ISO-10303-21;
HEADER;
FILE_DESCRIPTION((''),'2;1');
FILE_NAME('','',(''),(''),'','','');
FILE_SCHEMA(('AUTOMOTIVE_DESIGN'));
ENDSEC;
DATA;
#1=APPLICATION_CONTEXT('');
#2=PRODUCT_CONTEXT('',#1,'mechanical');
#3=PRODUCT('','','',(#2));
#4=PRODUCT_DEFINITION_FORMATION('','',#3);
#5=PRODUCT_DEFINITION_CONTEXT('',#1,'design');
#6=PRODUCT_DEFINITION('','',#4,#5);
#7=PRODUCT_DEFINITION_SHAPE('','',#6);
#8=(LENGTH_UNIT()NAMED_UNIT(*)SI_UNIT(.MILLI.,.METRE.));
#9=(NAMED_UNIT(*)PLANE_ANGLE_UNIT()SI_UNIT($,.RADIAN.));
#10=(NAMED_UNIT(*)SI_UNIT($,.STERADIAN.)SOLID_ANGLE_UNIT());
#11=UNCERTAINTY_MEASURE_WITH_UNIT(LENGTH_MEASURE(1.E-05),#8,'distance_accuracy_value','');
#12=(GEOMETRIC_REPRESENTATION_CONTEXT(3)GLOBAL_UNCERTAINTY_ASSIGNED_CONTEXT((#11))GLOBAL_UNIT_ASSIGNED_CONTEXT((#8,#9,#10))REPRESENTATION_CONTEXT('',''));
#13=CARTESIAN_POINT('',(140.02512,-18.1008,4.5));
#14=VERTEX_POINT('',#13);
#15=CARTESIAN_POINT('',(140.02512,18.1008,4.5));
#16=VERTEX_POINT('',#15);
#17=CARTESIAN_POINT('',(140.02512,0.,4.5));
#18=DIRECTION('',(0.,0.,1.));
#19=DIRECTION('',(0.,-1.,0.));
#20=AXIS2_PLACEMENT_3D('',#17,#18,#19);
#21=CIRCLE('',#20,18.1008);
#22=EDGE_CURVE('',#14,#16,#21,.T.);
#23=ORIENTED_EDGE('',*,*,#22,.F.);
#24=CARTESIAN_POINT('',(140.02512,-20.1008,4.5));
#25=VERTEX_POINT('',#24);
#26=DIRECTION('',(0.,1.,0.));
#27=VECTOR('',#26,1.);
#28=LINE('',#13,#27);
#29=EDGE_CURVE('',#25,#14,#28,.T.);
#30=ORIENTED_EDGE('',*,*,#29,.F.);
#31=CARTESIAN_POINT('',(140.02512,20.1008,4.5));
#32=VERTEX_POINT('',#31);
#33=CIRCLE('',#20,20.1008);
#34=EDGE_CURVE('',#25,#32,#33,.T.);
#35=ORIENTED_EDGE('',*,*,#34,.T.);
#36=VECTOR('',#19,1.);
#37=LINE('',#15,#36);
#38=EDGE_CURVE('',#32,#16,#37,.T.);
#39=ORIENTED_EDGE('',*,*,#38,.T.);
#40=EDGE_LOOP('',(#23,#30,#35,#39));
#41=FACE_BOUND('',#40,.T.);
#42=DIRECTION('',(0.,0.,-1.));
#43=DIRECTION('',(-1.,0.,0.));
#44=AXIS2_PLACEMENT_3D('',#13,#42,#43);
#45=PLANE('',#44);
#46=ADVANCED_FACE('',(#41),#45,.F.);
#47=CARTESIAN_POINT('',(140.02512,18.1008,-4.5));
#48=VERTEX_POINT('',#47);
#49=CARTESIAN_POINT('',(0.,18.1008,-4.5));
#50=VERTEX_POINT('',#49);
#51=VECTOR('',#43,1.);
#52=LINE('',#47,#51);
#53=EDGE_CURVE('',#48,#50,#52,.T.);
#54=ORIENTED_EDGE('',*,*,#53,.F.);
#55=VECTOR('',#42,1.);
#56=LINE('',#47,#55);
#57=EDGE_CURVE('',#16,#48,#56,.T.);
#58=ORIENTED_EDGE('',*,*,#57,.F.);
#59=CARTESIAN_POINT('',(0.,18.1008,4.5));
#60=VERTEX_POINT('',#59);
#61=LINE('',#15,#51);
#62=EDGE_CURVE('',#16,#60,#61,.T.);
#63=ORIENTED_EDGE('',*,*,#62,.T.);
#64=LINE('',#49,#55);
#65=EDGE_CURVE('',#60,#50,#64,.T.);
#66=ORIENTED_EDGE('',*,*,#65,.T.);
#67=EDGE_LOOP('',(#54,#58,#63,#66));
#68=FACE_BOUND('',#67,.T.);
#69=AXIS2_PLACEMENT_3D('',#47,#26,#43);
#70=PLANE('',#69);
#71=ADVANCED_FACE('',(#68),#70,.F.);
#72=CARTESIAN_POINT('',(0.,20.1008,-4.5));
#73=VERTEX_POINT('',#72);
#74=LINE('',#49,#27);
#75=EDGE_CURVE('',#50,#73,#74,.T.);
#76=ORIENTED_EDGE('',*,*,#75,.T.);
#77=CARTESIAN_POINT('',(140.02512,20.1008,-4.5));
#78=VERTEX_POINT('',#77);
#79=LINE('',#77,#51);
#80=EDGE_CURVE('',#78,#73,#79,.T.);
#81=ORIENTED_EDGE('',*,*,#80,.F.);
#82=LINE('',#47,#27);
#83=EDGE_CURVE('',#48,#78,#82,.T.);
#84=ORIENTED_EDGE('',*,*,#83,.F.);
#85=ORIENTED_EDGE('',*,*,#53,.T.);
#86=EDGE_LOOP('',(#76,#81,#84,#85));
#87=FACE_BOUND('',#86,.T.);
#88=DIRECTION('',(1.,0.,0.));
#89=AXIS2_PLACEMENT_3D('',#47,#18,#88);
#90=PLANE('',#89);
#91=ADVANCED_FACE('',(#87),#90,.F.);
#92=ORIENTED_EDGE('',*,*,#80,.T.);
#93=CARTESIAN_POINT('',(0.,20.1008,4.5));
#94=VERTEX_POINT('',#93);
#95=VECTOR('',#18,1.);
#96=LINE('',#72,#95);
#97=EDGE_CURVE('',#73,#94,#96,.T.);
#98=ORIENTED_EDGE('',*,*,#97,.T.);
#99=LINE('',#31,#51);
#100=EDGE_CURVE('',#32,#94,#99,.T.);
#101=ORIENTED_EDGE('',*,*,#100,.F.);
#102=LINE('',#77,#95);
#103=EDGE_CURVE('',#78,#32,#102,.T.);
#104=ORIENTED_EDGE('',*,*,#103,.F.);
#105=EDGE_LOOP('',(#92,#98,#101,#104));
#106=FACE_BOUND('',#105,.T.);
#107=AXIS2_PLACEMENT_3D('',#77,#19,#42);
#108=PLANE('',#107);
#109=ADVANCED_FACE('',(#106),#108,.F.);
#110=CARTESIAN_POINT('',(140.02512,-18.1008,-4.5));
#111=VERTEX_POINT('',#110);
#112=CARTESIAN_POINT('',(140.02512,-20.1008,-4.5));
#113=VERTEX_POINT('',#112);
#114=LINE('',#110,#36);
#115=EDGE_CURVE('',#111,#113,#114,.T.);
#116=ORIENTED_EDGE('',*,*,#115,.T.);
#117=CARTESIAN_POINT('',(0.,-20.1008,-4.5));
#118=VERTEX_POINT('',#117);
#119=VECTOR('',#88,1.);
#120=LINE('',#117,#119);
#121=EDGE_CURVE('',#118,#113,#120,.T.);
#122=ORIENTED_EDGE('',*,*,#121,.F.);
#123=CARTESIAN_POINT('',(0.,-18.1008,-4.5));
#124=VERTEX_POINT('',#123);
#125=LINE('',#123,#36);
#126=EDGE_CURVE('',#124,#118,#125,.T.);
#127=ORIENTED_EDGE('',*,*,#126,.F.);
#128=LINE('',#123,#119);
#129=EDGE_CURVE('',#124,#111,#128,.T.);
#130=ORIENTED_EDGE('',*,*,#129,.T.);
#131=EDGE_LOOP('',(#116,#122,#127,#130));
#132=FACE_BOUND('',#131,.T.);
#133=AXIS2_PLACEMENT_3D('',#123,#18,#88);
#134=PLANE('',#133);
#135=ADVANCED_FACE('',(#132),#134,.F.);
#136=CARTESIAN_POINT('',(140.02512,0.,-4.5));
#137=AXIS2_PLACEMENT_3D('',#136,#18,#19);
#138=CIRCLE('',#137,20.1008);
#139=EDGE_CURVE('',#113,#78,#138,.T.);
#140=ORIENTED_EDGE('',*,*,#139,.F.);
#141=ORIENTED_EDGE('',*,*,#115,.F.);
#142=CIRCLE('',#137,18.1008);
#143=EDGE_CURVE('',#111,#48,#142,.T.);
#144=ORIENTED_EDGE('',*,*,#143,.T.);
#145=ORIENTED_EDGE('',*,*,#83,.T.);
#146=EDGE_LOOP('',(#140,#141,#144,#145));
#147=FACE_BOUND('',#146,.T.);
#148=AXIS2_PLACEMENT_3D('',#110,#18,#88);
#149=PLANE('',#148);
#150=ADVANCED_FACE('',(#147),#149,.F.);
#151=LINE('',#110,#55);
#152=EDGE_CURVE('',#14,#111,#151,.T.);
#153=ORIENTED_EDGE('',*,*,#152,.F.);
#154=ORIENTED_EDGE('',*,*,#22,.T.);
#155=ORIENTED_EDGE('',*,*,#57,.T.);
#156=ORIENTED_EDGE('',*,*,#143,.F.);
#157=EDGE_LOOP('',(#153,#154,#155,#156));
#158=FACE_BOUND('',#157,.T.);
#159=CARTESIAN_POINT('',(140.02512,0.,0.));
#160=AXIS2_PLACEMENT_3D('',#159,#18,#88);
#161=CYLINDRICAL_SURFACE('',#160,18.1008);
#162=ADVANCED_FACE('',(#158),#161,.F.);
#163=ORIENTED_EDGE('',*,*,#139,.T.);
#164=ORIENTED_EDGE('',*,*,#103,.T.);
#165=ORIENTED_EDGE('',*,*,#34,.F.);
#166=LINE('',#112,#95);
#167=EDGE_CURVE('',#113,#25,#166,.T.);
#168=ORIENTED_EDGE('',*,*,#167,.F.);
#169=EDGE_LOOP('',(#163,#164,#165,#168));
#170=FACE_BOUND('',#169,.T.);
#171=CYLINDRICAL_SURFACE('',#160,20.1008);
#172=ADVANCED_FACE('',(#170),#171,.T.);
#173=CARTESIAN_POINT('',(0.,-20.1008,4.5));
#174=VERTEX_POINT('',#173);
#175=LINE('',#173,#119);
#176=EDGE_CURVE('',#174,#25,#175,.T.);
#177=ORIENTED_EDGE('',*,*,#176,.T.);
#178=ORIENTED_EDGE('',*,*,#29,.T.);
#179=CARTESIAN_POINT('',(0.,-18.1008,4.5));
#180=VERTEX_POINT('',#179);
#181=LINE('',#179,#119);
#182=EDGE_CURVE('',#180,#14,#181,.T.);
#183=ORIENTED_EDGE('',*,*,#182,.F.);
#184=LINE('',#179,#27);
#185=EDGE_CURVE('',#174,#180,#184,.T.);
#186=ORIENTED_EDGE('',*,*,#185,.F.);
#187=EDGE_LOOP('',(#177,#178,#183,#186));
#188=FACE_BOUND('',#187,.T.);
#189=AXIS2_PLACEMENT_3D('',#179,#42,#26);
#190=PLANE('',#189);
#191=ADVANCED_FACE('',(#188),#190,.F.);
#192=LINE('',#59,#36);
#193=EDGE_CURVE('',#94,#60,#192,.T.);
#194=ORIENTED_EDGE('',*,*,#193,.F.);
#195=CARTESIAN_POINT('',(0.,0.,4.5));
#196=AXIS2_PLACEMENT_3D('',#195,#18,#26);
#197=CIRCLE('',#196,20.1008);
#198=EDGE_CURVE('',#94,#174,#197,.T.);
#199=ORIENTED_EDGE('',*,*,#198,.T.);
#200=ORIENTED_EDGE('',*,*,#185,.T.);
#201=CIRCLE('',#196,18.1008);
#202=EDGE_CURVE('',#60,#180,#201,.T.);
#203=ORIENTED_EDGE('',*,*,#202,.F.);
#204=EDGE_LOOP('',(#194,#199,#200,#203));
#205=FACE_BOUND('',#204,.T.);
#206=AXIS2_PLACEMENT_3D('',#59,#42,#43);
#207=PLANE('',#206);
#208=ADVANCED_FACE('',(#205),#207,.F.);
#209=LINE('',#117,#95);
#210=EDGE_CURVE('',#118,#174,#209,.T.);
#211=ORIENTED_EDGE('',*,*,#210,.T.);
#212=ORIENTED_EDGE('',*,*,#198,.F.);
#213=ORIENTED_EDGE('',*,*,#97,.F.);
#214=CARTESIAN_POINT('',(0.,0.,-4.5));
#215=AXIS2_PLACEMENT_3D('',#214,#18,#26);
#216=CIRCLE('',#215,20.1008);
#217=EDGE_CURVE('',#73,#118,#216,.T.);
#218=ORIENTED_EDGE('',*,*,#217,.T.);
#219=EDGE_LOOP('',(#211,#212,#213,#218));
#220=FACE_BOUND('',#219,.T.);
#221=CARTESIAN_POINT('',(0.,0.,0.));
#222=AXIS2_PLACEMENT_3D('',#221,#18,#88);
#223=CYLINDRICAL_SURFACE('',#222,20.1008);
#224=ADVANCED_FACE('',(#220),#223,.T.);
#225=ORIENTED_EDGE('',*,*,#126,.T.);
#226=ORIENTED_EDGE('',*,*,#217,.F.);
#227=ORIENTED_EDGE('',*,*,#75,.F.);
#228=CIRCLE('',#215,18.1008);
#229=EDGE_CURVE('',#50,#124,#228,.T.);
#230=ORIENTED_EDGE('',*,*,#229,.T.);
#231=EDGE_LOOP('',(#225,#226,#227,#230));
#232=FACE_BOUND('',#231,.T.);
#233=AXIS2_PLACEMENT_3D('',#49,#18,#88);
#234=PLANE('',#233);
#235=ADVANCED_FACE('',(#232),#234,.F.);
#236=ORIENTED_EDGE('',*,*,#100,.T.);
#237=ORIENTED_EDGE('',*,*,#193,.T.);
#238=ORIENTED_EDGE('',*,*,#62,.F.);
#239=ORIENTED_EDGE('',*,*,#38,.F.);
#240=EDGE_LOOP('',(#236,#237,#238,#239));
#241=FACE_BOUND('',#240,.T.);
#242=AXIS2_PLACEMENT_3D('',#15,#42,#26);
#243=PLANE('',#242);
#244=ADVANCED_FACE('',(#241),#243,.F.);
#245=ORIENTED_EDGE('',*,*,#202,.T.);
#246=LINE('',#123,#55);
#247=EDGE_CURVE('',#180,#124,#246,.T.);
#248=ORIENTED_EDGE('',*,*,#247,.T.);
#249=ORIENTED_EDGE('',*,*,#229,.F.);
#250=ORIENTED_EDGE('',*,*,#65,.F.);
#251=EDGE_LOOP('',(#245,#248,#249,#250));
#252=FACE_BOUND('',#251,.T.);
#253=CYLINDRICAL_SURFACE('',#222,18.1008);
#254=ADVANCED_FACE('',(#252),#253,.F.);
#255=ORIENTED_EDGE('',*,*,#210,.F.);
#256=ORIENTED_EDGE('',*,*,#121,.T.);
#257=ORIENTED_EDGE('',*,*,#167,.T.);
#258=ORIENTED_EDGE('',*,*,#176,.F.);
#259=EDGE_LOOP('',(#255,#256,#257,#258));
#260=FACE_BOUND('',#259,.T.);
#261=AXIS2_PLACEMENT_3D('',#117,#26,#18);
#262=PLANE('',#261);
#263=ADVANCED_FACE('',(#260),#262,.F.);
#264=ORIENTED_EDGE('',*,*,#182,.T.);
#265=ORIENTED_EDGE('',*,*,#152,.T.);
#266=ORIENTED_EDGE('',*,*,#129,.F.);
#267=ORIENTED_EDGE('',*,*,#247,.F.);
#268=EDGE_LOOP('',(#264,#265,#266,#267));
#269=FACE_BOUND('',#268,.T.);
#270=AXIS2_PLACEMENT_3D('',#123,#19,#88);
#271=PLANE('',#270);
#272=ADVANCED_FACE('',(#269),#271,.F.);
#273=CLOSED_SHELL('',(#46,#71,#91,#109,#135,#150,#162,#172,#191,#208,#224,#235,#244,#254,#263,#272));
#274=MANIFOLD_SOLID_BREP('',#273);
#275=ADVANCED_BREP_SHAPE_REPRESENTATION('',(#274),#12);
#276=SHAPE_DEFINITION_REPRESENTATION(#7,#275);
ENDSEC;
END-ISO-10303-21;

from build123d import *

# Parameters (mm, degrees)
SKETCH2_W = 9
SKETCH2_H = 2


with BuildPart() as part:
    # Sweep1: sweep along a path in Sketch1
    with BuildLine(Plane.XY) as sweep1_path:
        Line((0, 19.1008), (140.02512, 19.1008))
        ThreePointArc((140.02512, 19.1008), (159.12592, 0), (140.02512, -19.1008))
        Line((140.02512, -19.1008), (0, -19.1008))
        ThreePointArc((0, -19.1008), (-19.1008, 0), (0, 19.1008))
    # Sketch2 → Sweep1 (sweep)
    with BuildSketch(Plane(origin=(0, 0, 0), x_dir=(0, 0, -1), z_dir=(1, 0, 0))):
        with Locations((0, 19.1008)):
            Rectangle(SKETCH2_W, SKETCH2_H)
    sweep(path=sweep1_path.line)


solid = part.part
